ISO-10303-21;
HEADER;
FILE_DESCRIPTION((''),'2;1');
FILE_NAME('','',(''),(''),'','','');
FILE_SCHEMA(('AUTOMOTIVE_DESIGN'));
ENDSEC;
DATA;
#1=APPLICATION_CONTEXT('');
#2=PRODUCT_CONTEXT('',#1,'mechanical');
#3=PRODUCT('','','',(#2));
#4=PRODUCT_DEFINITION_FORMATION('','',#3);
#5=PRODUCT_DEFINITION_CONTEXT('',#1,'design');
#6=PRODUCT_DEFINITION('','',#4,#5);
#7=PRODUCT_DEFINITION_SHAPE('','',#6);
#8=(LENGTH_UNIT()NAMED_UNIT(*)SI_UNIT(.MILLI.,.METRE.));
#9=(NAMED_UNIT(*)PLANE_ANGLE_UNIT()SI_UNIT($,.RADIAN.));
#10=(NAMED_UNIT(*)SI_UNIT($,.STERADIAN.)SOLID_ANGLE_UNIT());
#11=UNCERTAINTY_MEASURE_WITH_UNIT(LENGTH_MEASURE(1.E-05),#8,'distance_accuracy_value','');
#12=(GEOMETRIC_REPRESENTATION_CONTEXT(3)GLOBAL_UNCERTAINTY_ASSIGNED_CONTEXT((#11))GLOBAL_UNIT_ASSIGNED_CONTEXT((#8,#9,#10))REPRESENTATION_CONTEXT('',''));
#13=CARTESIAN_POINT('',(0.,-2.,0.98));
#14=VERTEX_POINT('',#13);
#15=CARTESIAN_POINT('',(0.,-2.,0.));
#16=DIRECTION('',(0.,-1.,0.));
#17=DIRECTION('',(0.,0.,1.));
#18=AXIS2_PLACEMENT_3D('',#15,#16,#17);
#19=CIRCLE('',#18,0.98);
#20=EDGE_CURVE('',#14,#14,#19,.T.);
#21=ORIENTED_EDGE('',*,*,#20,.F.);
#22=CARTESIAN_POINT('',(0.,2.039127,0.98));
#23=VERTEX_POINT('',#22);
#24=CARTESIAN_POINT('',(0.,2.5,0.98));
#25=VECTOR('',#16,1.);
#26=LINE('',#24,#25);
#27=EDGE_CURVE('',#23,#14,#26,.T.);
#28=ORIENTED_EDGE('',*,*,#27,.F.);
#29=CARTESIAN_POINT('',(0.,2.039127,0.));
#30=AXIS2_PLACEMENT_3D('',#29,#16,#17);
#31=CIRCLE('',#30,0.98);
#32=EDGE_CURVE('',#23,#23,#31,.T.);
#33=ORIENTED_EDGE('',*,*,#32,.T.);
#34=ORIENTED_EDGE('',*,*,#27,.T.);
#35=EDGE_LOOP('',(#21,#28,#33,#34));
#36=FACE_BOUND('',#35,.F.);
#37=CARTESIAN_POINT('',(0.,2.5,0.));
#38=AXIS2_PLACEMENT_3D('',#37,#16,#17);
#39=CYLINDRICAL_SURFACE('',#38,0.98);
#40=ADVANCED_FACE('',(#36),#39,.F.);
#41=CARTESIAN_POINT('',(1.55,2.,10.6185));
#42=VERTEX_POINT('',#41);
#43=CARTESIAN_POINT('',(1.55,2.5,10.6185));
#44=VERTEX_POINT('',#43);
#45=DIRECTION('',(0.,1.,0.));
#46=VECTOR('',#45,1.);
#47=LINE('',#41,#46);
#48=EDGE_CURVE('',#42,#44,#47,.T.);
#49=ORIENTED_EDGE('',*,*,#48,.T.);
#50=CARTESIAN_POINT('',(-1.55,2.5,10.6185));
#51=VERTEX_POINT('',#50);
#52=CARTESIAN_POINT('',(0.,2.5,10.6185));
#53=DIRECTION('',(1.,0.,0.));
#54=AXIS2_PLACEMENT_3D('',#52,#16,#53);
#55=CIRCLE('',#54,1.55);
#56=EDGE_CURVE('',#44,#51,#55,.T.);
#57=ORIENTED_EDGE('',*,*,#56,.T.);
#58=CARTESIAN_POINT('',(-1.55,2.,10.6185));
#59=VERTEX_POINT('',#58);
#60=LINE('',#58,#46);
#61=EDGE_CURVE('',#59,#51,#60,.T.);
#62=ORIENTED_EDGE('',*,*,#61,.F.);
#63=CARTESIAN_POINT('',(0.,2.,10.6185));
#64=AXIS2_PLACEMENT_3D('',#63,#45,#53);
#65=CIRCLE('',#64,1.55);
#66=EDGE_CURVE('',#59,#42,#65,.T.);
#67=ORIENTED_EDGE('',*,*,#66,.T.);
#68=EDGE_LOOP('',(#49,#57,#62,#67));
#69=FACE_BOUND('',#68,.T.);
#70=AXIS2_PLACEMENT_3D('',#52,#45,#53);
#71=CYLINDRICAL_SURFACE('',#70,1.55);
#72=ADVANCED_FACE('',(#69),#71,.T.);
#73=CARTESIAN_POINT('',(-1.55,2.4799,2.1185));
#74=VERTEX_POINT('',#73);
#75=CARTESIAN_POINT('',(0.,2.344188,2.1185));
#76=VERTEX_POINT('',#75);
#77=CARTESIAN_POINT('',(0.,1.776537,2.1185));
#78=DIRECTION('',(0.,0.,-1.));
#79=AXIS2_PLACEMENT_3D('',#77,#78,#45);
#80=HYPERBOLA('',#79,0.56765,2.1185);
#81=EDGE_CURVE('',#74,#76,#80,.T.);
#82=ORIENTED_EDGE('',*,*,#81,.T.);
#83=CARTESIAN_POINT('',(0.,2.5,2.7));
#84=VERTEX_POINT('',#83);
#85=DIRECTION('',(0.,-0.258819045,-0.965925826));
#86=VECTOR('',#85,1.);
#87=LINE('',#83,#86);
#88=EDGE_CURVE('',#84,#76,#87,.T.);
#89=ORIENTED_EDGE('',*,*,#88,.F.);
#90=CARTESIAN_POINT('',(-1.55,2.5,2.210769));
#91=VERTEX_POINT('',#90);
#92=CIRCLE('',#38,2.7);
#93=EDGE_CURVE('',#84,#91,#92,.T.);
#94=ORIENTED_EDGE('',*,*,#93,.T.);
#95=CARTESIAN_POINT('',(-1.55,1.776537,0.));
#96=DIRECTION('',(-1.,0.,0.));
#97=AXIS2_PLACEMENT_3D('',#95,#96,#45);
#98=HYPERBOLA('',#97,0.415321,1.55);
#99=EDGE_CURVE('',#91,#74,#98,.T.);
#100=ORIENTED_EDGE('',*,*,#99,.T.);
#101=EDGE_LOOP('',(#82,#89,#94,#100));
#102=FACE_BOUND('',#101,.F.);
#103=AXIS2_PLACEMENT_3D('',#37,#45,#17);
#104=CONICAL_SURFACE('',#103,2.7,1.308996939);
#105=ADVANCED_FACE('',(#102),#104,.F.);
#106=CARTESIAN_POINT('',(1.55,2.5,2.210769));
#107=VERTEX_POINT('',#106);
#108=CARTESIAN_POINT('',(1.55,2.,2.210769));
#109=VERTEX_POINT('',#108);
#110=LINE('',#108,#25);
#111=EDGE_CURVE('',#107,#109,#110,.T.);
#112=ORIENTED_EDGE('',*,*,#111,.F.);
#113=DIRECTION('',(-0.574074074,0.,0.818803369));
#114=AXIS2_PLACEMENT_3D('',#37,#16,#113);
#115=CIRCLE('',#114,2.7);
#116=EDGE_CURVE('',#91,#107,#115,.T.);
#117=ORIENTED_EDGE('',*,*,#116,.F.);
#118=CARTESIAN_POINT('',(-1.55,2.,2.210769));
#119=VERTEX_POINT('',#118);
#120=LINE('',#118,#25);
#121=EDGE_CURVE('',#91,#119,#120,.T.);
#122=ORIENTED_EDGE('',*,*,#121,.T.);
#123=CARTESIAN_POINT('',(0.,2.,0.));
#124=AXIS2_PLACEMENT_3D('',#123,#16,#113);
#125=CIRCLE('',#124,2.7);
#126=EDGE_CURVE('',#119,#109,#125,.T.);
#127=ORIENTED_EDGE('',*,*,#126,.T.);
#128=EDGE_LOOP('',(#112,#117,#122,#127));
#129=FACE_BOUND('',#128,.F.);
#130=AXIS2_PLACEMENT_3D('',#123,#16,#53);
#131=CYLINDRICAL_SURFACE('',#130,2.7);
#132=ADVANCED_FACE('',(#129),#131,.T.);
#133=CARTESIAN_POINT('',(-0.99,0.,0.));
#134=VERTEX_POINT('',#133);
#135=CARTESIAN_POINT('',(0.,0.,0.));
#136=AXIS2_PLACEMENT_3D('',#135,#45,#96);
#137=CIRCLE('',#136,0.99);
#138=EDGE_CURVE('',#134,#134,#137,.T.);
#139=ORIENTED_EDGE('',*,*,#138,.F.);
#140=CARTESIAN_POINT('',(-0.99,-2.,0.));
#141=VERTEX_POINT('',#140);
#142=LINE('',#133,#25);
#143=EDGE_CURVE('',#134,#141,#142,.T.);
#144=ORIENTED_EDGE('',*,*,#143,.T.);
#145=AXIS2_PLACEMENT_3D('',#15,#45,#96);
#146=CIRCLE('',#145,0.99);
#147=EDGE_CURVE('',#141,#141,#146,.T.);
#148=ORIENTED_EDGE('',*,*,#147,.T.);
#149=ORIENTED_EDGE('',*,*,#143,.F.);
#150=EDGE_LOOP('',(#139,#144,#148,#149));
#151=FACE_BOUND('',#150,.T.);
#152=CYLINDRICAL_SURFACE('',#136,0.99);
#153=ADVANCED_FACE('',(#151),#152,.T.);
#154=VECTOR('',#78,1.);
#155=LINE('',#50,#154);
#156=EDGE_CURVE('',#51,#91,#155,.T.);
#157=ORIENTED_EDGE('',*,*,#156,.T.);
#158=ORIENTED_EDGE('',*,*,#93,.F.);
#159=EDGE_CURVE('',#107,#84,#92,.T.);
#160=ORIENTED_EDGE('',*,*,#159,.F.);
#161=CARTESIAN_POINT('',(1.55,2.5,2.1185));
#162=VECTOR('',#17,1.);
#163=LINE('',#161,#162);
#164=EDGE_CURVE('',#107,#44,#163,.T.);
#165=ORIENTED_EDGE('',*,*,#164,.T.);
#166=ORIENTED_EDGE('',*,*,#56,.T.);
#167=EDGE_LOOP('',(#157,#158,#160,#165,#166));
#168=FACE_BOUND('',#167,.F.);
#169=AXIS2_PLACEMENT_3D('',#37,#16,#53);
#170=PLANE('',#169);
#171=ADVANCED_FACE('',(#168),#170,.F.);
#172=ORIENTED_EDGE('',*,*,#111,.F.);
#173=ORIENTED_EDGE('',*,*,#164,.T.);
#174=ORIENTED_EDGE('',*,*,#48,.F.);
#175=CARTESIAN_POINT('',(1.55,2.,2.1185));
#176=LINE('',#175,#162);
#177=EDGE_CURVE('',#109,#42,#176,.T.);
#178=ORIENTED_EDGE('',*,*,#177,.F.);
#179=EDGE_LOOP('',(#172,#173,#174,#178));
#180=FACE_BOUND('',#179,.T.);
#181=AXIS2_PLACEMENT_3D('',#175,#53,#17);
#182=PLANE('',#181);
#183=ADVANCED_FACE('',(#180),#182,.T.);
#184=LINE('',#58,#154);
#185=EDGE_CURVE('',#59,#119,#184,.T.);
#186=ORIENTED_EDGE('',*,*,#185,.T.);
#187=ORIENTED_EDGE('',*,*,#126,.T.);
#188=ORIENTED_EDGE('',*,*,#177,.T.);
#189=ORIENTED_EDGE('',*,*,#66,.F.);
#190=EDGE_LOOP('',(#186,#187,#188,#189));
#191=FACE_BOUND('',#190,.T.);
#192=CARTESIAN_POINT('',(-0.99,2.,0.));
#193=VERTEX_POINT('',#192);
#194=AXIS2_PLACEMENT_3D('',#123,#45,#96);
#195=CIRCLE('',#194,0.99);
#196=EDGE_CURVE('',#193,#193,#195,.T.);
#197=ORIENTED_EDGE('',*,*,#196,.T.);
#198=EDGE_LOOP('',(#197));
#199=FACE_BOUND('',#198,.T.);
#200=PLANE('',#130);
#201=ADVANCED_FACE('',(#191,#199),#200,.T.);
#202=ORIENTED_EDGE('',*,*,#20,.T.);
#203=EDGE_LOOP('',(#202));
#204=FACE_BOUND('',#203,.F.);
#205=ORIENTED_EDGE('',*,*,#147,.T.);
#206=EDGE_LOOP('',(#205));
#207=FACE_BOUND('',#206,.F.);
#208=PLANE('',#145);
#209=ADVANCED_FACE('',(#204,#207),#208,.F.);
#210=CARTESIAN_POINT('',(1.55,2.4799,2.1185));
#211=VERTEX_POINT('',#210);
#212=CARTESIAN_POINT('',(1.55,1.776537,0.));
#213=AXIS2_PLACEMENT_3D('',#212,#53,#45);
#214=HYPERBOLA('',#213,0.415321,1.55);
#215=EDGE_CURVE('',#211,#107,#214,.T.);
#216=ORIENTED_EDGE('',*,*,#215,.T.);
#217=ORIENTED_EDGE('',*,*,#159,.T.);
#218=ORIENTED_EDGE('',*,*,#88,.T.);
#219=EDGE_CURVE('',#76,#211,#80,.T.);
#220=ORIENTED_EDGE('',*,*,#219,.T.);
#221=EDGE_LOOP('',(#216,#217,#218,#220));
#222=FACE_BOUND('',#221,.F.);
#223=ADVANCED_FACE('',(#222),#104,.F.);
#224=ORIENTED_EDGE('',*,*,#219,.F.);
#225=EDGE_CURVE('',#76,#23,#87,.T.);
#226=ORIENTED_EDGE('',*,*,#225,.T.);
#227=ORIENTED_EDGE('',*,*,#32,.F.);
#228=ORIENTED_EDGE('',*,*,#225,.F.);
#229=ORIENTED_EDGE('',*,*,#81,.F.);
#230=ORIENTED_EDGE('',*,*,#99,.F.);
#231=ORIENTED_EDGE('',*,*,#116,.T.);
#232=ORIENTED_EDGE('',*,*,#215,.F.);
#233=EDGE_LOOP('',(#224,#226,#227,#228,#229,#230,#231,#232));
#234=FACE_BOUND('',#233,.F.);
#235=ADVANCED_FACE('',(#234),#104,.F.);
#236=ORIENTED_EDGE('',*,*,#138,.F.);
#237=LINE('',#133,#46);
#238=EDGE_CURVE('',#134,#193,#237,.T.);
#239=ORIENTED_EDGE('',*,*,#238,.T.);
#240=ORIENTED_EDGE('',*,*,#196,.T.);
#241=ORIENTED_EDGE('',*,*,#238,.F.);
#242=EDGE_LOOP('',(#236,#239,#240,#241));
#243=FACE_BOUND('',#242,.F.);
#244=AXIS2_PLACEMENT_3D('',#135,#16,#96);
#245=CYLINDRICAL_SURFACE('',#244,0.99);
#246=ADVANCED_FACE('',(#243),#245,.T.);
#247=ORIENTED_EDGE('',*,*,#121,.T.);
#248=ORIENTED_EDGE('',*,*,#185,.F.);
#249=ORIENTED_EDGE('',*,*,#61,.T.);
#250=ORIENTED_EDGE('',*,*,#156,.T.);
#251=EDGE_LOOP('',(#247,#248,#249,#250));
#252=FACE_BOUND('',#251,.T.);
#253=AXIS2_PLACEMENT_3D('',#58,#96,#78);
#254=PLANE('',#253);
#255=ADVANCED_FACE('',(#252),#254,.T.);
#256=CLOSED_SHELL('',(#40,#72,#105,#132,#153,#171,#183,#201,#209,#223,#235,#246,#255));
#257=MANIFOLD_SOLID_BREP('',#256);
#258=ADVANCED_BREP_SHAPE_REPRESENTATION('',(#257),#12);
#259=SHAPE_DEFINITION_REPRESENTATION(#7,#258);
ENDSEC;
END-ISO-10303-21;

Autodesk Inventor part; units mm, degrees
ref_plane "YZ Plane" through (0, 0, 0) normal (1, 0, 0) x (0, 1, 0)
ref_plane "XZ Plane" through (0, 0, 0) normal (0, 1, 0) x (-1, 0, 0)
ref_plane "XY Plane" through (0, 0, 0) normal (0, 0, 1) x (1, 0, 0)
sketch "Boceto1" plane through (0, 0, 0) normal (0, 1, 0) x (-1, 0, 0)
  circle A0 centre (0, 0) radius 0.99
  dimension "d0" = 1.98
extrude "Extrusión1" add sketch "Boceto1" along normal mid plane 4
sketch "Boceto2" plane through (0, 2, 0) normal (0, 1, 0) x (1, 0, 0)
  circle A0 centre (0, 0) radius 0.99 projected
  circle A1 centre (0, 0) radius 2.7
  dimension "d3" = 5.4
extrude "Extrusión2" add sketch "Boceto2" along normal blind 0.5 contours A0 | A1
hole "Hole1" at (0, 2.5, 0) direction (0, -1, 0) diameter 1.96 end through all
hole "Hole2" at (0, 2.5, 0) direction (0, -1, 0) diameter 1.96 end through all countersink diameter 5.4 countersink angle 150
sketch "Boceto3" plane through (0, 2, 0) normal (0, -1, 0) x (1, 0, 0)
  line L0 (-1.55, 2.1185) -> (1.55, 2.1185)
  line L1 (1.55, 2.1185) -> (1.55, 10.6185)
  line L2 (1.55, 10.6185) -> (-1.55, 10.6185)
  line L3 (-1.55, 10.6185) -> (-1.55, 2.1185)
  line L4 (-1.55, 2.1185) -> (1.55, 10.6185) construction
  line L5 (1.55, 2.1185) -> (-1.55, 10.6185) construction
  point P0 (0, 6.3685)
  dimension "d24" = 3.1
  dimension "d25" = 8.5
extrude "Extrusión3" add sketch "Boceto3" against normal blind 0.5
hole "Hole3" at (0, 2.5, 0) direction (0, -1, 0) diameter 1.96 end through all countersink diameter 5.4 countersink angle 150
sketch "Boceto4" plane through (0, 2.5, 0) normal (0, 1, 0) x (1, 0, 0)
  line L0 (-1.55, -10.6185) -> (1.55, -10.6185) projected
  circle A0 centre (0, -10.6185) radius 1.55
  dimension "d39" = 3.1
extrude "Extrusión4" add sketch "Boceto4" against normal blind 0.5
properties part number "Conector"
